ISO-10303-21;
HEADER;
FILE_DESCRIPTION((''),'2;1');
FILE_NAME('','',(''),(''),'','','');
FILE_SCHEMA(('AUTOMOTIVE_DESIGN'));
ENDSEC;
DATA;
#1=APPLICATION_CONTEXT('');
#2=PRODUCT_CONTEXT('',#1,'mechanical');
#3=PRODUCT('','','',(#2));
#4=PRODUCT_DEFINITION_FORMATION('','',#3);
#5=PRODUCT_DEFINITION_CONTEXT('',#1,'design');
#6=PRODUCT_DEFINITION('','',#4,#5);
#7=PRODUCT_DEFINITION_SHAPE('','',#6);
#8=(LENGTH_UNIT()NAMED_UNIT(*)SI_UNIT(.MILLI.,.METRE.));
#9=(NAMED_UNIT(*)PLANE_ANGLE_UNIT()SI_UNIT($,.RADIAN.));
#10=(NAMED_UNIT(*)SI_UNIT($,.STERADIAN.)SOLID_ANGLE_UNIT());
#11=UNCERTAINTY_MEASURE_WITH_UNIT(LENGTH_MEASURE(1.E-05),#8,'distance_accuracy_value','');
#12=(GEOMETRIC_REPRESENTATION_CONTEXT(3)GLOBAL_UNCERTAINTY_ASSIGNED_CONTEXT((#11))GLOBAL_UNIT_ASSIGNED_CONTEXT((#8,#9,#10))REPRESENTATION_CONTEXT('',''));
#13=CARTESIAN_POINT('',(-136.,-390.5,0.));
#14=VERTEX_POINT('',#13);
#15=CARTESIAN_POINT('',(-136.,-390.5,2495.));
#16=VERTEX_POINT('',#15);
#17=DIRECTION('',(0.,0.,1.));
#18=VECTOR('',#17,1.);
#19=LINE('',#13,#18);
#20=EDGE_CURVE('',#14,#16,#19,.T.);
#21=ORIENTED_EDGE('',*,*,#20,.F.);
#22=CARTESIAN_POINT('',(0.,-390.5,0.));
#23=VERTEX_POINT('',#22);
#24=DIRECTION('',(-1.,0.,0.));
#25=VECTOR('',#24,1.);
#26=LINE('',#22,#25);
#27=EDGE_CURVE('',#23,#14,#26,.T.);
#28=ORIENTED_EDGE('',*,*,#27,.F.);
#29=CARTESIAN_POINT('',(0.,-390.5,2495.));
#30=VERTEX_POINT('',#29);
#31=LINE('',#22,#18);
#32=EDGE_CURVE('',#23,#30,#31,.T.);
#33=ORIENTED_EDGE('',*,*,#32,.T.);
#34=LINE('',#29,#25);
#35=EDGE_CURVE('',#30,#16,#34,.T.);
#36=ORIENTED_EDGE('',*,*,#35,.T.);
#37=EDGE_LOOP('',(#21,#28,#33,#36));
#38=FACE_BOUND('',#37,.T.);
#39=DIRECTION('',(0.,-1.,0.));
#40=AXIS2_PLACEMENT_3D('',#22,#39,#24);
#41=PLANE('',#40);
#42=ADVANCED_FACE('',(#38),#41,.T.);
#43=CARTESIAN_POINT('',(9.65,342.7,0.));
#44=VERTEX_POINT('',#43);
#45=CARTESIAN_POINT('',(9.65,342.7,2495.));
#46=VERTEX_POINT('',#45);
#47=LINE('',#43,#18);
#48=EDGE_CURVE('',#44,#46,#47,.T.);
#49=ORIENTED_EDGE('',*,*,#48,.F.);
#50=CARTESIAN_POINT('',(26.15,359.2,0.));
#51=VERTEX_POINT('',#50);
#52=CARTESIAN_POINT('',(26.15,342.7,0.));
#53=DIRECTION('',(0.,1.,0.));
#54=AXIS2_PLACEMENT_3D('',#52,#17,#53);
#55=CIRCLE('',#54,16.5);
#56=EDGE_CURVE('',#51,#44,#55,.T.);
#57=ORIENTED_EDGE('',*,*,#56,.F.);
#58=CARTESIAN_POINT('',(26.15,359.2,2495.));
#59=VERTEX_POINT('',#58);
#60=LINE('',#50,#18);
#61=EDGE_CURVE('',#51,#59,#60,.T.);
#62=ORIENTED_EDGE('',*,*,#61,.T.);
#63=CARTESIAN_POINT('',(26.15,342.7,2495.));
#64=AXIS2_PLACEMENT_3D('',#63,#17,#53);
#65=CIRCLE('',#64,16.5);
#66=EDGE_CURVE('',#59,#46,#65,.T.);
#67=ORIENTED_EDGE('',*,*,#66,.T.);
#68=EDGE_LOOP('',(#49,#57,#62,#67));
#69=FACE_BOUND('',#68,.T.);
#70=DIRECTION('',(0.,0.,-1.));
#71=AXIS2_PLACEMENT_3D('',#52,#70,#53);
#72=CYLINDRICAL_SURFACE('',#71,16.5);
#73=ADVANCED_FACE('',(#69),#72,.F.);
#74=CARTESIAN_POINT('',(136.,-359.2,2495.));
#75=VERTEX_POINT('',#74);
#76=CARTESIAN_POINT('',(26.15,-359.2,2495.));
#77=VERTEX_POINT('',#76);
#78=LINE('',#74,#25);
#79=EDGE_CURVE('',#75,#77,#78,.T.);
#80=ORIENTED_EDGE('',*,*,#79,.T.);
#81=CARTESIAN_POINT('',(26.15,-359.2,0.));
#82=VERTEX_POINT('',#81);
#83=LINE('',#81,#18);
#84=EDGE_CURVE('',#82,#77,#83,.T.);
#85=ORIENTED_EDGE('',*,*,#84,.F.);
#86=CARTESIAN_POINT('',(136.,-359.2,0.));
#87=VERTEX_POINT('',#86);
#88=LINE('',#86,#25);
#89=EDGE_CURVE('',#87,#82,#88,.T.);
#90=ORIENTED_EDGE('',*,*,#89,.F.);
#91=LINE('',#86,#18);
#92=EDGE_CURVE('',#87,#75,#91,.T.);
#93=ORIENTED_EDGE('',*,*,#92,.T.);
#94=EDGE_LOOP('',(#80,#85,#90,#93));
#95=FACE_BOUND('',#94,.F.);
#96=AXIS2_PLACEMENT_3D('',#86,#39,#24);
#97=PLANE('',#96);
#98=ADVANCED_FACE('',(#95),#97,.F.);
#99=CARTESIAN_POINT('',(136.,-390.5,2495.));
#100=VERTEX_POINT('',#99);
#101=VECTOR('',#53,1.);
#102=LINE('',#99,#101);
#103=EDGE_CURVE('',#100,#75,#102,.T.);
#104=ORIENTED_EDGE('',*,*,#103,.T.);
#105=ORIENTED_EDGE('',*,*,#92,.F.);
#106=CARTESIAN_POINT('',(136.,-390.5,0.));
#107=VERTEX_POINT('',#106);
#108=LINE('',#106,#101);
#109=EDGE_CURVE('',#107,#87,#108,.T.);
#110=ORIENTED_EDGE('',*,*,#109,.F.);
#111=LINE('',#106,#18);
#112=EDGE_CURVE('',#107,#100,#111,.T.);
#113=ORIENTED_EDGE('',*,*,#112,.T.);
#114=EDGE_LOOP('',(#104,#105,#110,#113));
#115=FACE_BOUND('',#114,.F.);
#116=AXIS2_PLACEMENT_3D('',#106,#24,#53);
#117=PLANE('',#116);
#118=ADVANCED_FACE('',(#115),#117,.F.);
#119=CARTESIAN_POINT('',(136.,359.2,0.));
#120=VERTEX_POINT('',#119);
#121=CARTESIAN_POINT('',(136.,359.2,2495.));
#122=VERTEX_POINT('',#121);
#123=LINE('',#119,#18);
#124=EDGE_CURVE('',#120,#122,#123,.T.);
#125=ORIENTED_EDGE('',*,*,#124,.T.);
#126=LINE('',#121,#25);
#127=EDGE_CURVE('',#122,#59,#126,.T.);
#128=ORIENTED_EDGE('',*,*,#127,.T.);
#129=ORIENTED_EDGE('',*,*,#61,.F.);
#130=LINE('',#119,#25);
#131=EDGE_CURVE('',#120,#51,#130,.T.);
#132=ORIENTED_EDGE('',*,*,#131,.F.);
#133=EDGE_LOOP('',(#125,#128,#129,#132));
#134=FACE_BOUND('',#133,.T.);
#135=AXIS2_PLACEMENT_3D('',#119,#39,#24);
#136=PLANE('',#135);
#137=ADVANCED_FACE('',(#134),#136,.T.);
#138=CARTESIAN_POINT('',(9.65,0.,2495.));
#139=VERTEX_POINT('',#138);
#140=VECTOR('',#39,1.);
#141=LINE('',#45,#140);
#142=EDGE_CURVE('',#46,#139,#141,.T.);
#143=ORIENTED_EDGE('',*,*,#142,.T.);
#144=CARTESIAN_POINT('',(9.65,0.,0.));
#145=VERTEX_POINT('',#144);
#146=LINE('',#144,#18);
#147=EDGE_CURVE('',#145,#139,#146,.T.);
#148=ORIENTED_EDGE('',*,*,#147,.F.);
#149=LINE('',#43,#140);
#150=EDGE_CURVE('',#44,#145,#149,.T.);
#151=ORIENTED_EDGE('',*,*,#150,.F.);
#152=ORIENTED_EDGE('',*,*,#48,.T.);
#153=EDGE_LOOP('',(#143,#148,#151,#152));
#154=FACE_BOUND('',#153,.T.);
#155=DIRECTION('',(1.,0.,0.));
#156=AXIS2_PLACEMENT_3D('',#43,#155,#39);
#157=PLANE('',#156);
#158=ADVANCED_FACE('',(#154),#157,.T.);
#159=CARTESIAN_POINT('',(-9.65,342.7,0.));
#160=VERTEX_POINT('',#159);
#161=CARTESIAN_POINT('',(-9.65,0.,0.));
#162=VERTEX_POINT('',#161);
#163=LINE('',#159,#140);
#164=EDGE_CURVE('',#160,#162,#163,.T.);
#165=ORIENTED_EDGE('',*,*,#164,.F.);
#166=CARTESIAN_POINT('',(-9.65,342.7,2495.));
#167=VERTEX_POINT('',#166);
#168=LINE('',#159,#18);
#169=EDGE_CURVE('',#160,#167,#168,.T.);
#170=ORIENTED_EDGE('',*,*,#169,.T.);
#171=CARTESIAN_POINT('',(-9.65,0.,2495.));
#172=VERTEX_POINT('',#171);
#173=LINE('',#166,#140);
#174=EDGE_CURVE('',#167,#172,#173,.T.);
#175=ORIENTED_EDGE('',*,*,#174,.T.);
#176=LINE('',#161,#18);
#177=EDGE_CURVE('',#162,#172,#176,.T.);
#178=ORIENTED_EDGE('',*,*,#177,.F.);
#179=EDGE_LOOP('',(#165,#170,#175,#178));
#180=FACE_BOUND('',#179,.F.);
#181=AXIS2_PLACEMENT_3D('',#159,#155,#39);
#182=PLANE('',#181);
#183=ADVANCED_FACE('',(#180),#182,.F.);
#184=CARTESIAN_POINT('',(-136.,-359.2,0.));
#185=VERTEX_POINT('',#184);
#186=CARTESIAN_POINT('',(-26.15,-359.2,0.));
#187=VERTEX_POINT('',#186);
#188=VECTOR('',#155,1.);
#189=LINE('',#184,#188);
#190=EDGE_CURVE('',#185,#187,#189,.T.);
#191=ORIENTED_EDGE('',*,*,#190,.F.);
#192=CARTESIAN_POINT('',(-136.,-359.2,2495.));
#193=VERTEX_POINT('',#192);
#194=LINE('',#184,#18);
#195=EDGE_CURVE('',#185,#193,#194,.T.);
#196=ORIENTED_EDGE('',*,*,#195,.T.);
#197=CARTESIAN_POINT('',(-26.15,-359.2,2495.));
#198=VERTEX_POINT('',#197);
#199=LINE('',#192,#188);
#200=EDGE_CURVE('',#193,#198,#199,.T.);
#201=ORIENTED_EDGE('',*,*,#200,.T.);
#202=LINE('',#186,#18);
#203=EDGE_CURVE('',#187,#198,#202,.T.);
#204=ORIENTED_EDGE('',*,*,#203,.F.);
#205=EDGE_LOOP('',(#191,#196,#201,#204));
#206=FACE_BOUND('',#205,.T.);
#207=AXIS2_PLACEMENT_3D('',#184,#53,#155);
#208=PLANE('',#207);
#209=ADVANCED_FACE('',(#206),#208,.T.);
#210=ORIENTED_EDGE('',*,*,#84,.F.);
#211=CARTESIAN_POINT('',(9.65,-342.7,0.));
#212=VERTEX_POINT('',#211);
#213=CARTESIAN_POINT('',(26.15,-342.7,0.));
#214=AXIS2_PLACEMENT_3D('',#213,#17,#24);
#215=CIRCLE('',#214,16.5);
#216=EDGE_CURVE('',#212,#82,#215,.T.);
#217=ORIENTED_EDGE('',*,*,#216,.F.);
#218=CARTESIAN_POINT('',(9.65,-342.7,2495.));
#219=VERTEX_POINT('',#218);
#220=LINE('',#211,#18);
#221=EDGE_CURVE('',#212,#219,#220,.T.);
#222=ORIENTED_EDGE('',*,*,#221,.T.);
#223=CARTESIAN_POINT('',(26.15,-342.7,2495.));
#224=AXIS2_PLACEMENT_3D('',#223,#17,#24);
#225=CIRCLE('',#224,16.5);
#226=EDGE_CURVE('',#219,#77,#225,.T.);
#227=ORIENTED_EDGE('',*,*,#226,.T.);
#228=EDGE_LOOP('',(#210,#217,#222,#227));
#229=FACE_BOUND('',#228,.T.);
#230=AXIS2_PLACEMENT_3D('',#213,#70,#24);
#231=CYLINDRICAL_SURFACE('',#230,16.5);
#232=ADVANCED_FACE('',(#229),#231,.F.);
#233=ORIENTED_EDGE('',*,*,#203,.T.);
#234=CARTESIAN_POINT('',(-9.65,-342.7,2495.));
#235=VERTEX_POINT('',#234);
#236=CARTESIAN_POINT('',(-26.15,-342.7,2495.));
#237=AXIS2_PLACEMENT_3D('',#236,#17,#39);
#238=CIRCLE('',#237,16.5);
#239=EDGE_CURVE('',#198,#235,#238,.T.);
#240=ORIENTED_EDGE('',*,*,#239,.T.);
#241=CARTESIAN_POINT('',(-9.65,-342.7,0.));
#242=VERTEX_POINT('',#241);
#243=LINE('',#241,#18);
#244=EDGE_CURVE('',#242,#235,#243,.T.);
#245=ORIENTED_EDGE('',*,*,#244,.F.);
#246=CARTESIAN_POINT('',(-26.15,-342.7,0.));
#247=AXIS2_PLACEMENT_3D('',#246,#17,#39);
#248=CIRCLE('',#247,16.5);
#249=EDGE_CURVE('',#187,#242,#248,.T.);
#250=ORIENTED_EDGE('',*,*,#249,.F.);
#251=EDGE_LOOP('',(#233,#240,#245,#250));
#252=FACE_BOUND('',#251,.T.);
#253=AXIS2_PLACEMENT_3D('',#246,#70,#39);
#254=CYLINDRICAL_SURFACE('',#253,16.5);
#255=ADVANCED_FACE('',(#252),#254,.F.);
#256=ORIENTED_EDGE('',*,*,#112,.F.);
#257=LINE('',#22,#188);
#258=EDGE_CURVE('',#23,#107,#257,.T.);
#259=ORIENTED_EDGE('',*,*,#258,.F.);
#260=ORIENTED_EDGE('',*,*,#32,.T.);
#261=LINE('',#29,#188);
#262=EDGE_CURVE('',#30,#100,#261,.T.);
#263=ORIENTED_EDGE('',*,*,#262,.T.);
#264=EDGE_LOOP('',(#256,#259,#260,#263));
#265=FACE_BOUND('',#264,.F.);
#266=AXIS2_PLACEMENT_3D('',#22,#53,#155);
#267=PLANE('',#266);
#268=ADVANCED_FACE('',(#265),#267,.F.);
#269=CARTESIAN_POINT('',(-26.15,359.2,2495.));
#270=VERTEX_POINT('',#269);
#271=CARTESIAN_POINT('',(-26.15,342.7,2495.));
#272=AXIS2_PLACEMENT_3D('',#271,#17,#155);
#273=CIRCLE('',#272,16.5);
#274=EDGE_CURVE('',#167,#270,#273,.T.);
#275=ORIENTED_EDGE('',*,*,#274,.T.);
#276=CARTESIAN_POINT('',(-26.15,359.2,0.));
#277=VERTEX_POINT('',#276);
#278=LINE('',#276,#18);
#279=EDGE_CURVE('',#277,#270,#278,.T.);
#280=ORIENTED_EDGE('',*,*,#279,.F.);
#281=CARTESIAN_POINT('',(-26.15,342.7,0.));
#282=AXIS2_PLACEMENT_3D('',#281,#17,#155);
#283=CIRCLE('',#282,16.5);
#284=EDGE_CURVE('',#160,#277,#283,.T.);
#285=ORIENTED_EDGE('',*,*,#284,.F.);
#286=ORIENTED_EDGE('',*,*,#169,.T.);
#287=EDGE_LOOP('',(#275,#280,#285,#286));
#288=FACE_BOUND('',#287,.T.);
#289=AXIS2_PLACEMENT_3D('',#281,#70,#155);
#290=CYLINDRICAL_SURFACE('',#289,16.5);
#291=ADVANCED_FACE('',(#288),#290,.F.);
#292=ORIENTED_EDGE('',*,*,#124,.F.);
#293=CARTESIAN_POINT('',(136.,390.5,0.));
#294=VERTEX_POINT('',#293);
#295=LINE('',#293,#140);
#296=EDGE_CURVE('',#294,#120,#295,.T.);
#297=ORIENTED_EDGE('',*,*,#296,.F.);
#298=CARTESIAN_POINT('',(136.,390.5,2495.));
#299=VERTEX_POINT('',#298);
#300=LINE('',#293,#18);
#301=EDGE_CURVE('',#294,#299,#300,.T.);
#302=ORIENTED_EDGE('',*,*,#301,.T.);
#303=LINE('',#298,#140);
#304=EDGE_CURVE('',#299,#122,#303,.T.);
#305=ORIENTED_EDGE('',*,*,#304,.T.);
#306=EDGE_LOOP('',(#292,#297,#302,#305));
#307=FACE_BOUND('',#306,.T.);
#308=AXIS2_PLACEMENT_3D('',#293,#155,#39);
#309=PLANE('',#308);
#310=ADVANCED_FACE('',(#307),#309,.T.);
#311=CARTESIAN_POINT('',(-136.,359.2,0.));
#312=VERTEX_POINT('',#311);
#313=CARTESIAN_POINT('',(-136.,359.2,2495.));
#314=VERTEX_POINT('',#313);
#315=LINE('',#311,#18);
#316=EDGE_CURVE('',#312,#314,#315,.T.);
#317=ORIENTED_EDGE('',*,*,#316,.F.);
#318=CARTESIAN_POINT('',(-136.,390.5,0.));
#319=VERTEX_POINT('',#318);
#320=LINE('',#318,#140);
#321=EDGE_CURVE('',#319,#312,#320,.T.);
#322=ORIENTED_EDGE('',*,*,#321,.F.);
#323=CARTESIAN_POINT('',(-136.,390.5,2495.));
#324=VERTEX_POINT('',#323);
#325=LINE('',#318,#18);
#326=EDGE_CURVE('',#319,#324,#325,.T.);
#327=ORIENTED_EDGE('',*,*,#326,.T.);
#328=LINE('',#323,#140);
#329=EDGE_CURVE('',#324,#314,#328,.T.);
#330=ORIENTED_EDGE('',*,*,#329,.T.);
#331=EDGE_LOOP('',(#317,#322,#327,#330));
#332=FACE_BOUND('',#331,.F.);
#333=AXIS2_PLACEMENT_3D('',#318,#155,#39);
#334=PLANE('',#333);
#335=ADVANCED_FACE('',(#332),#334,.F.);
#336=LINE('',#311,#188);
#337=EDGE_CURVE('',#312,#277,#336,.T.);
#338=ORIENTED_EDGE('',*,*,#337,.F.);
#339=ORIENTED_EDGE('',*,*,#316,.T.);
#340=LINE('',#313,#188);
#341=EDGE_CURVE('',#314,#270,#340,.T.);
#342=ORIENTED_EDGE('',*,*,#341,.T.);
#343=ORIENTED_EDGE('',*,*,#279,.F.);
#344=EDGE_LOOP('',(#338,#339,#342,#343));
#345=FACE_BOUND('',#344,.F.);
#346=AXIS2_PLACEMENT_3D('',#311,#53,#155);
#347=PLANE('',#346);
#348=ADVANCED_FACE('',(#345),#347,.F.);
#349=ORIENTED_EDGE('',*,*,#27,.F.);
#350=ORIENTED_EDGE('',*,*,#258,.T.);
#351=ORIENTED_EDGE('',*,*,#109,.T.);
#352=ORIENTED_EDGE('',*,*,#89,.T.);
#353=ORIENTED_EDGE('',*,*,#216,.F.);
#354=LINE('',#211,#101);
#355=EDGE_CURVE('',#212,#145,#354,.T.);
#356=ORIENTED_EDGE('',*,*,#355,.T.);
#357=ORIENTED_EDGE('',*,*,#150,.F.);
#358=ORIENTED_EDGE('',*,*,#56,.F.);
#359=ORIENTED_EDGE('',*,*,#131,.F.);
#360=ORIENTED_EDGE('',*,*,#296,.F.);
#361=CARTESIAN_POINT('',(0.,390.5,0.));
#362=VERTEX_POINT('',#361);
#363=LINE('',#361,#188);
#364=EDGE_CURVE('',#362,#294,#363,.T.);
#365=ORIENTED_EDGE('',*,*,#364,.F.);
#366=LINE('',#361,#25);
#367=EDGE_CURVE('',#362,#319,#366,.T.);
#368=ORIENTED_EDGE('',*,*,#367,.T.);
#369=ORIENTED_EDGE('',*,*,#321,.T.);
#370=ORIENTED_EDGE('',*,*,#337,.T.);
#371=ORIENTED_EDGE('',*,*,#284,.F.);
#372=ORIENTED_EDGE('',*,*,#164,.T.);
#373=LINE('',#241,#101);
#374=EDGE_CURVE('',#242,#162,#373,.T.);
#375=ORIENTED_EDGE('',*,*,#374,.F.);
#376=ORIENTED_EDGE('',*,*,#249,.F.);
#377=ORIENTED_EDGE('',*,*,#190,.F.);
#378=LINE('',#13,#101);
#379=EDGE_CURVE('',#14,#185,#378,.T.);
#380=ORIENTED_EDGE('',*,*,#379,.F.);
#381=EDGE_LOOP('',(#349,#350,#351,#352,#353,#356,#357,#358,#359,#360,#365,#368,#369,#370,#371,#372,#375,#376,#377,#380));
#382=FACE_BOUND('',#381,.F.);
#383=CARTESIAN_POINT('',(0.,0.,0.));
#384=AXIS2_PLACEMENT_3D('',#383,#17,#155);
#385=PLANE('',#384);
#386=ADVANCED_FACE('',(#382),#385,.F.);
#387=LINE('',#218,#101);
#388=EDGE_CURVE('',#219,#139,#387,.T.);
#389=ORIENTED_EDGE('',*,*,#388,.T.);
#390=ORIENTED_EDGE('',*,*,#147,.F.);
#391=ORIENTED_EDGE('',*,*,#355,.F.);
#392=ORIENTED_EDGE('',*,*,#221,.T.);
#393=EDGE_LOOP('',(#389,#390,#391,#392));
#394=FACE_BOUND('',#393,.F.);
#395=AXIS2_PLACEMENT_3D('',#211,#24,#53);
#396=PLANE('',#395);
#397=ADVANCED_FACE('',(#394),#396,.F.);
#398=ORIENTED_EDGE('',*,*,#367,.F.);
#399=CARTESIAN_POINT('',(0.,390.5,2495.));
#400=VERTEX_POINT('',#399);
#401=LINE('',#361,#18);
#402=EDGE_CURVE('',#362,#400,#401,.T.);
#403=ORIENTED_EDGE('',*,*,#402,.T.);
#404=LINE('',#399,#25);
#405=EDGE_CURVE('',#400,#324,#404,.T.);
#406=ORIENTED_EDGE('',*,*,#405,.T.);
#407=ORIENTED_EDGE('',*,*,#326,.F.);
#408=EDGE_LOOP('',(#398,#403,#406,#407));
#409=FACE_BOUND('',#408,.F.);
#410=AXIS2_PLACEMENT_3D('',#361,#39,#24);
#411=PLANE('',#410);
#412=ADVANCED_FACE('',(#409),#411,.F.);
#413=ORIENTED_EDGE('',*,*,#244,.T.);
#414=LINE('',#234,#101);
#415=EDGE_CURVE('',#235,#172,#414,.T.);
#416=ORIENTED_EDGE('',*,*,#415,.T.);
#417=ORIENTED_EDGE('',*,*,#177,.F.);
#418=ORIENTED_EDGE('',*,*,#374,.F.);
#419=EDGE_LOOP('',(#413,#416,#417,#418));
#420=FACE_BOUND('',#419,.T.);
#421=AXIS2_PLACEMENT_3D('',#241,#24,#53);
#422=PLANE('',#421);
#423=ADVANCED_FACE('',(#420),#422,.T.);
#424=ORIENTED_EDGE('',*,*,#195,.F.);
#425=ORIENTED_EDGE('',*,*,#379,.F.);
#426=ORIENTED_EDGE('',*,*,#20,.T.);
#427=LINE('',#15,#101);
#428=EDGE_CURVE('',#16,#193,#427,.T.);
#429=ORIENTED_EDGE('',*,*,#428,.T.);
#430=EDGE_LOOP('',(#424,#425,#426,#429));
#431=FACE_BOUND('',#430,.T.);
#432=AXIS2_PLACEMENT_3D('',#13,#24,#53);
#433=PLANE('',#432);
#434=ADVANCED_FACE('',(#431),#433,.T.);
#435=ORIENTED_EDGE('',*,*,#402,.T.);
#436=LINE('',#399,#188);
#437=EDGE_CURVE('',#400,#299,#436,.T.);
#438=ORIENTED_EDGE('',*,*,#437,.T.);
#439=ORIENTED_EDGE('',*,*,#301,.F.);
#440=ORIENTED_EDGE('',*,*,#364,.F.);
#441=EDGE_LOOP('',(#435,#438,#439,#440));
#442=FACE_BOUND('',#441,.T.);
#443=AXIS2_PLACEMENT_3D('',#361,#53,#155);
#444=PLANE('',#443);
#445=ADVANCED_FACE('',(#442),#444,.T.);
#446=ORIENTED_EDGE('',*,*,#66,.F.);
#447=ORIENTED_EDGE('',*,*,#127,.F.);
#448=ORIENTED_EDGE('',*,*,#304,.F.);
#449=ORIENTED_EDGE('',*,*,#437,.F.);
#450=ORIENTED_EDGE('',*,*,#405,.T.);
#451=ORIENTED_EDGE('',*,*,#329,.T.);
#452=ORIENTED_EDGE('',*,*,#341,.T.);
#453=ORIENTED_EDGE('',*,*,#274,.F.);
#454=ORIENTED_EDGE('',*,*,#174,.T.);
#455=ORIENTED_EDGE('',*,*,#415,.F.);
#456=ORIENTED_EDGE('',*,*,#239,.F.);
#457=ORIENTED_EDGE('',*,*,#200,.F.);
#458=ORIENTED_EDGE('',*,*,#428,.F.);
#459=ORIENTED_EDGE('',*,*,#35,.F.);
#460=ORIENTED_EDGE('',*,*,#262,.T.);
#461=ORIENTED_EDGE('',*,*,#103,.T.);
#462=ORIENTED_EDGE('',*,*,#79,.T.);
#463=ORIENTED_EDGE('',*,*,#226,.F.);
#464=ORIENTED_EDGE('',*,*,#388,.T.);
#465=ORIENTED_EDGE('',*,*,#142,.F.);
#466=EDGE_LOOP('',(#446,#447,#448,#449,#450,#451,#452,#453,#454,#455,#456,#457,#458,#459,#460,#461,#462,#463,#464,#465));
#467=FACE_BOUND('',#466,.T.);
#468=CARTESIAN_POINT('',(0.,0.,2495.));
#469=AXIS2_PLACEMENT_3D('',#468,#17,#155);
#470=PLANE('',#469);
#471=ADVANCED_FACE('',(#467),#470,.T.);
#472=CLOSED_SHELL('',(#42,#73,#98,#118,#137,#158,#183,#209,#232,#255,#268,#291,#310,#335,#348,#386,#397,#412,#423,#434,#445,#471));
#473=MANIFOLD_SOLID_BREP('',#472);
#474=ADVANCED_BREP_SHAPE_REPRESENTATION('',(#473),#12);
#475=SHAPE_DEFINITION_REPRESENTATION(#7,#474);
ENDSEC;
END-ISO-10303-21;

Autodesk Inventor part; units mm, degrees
ref_plane "YZ Plane" through (0, 0, 0) normal (1, 0, 0) x (0, 1, 0)
ref_plane "Start plane" through (0, 0, 0) normal (0, 0, 1) x (1, 0, 0)
ref_plane "End plane" through (0, 0, 2495) normal (0, 0, 1) x (1, 0, 0)
sketch "Sketch" plane through (0, 0, 0) normal (0, 0, 1) x (1, 0, 0)
  line L0 (-136, -390.5) -> (-136, -359.2)
  line L1 (-136, -359.2) -> (-26.15, -359.2)
  line L2 (-9.65, -342.7) -> (-9.65, 0)
  line L3 (-9.65, 0) -> (0, 0) construction
  line L4 (0, 0) -> (0, -390.5) construction
  line L5 (0, -390.5) -> (-136, -390.5)
  line L6 (-60, 0) -> (80, 0) construction
  line L7 (0, -60) -> (0, 80) construction
  line L8 (136, -390.5) -> (136, -359.2)
  line L9 (136, -359.2) -> (26.15, -359.2)
  line L10 (9.65, -342.7) -> (9.65, 0)
  line L11 (9.65, 0) -> (0, 0) construction
  line L12 (0, -390.5) -> (136, -390.5)
  line L13 (-136, 390.5) -> (-136, 359.2)
  line L14 (-136, 359.2) -> (-26.15, 359.2)
  line L15 (-9.65, 342.7) -> (-9.65, 0)
  line L16 (0, 390.5) -> (-136, 390.5)
  line L17 (136, 390.5) -> (136, 359.2)
  line L18 (136, 359.2) -> (26.15, 359.2)
  line L19 (0, 390.5) -> (136, 390.5)
  line L20 (9.65, 342.7) -> (9.65, 0)
  arc A0 (-9.65, 342.7) -> (-26.15, 359.2) centre (-26.15, 342.7) ccw
  arc A1 (26.15, 359.2) -> (9.65, 342.7) centre (26.15, 342.7) ccw
  arc A2 (9.65, -342.7) -> (26.15, -359.2) centre (26.15, -342.7) ccw
  arc A3 (-26.15, -359.2) -> (-9.65, -342.7) centre (-26.15, -342.7) ccw
  line L21 (0, 108) -> (0, -88) construction
  line L22 (-88, 0) -> (108, 0) construction
  point P0 (-9.65, -359.2)
  point P1 (9.65, -359.2)
  point P2 (-9.65, 359.2)
  point P3 (9.65, 359.2)
  dimension "d1" = 390.5
  dimension "d2" = 31.3
  dimension "d3" = 136
  dimension "d4" = 9.65
  dimension "d10" = 16.5
extrude "Body" add sketch "Sketch" along normal up to surface (2495 mm away) from surface at 0
sketch "Sketch4" plane through (0, 0, 0) normal (0, 0, 1) x (1, 0, 0)
  line L0 (0, 0) -> (10, 0)
ref_plane "Work Plane3" through (0, 0, 0) normal (0, -1, 0) x (1, 0, 0)
sketch "Sketch5" plane through (0, 0, 0) normal (0, -1, 0) x (1, 0, 0)
  line L0 (-2, 0) -> (12, 0) projected
  line L1 (-2, 2495) -> (12, 2495) projected
  dimension "d14" = 2495
equation "\"d1\" = 0.5 * G_H"
equation "\"d2\" = G_T1"
equation "\"d3\" = 0.5 * G_W"
equation "\"d4\" = 0.5 * G_T"
equation "\"d10\" = G_IR"
equation "\"d5\" = G_L"
equation "\"G_W\" = 272"
equation "\"G_H\" = 781"
equation "\"G_T\" = 19.3"
equation "\"G_T1\" = 31.3"
equation "\"G_IR\" = 16.5"
equation "\"G_L\" = d14"
equation "\"G_OFFSET_START\" = 0"
equation "\"G_OFFSET_END\" = 0"
equation "\"d12\" = G_OFFSET_END + B_L"
equation "\"B_L\" = 2495"
properties part number "AS 3679-1990 - 760 UB - 244 - 2495" material "Steel, Mild"
